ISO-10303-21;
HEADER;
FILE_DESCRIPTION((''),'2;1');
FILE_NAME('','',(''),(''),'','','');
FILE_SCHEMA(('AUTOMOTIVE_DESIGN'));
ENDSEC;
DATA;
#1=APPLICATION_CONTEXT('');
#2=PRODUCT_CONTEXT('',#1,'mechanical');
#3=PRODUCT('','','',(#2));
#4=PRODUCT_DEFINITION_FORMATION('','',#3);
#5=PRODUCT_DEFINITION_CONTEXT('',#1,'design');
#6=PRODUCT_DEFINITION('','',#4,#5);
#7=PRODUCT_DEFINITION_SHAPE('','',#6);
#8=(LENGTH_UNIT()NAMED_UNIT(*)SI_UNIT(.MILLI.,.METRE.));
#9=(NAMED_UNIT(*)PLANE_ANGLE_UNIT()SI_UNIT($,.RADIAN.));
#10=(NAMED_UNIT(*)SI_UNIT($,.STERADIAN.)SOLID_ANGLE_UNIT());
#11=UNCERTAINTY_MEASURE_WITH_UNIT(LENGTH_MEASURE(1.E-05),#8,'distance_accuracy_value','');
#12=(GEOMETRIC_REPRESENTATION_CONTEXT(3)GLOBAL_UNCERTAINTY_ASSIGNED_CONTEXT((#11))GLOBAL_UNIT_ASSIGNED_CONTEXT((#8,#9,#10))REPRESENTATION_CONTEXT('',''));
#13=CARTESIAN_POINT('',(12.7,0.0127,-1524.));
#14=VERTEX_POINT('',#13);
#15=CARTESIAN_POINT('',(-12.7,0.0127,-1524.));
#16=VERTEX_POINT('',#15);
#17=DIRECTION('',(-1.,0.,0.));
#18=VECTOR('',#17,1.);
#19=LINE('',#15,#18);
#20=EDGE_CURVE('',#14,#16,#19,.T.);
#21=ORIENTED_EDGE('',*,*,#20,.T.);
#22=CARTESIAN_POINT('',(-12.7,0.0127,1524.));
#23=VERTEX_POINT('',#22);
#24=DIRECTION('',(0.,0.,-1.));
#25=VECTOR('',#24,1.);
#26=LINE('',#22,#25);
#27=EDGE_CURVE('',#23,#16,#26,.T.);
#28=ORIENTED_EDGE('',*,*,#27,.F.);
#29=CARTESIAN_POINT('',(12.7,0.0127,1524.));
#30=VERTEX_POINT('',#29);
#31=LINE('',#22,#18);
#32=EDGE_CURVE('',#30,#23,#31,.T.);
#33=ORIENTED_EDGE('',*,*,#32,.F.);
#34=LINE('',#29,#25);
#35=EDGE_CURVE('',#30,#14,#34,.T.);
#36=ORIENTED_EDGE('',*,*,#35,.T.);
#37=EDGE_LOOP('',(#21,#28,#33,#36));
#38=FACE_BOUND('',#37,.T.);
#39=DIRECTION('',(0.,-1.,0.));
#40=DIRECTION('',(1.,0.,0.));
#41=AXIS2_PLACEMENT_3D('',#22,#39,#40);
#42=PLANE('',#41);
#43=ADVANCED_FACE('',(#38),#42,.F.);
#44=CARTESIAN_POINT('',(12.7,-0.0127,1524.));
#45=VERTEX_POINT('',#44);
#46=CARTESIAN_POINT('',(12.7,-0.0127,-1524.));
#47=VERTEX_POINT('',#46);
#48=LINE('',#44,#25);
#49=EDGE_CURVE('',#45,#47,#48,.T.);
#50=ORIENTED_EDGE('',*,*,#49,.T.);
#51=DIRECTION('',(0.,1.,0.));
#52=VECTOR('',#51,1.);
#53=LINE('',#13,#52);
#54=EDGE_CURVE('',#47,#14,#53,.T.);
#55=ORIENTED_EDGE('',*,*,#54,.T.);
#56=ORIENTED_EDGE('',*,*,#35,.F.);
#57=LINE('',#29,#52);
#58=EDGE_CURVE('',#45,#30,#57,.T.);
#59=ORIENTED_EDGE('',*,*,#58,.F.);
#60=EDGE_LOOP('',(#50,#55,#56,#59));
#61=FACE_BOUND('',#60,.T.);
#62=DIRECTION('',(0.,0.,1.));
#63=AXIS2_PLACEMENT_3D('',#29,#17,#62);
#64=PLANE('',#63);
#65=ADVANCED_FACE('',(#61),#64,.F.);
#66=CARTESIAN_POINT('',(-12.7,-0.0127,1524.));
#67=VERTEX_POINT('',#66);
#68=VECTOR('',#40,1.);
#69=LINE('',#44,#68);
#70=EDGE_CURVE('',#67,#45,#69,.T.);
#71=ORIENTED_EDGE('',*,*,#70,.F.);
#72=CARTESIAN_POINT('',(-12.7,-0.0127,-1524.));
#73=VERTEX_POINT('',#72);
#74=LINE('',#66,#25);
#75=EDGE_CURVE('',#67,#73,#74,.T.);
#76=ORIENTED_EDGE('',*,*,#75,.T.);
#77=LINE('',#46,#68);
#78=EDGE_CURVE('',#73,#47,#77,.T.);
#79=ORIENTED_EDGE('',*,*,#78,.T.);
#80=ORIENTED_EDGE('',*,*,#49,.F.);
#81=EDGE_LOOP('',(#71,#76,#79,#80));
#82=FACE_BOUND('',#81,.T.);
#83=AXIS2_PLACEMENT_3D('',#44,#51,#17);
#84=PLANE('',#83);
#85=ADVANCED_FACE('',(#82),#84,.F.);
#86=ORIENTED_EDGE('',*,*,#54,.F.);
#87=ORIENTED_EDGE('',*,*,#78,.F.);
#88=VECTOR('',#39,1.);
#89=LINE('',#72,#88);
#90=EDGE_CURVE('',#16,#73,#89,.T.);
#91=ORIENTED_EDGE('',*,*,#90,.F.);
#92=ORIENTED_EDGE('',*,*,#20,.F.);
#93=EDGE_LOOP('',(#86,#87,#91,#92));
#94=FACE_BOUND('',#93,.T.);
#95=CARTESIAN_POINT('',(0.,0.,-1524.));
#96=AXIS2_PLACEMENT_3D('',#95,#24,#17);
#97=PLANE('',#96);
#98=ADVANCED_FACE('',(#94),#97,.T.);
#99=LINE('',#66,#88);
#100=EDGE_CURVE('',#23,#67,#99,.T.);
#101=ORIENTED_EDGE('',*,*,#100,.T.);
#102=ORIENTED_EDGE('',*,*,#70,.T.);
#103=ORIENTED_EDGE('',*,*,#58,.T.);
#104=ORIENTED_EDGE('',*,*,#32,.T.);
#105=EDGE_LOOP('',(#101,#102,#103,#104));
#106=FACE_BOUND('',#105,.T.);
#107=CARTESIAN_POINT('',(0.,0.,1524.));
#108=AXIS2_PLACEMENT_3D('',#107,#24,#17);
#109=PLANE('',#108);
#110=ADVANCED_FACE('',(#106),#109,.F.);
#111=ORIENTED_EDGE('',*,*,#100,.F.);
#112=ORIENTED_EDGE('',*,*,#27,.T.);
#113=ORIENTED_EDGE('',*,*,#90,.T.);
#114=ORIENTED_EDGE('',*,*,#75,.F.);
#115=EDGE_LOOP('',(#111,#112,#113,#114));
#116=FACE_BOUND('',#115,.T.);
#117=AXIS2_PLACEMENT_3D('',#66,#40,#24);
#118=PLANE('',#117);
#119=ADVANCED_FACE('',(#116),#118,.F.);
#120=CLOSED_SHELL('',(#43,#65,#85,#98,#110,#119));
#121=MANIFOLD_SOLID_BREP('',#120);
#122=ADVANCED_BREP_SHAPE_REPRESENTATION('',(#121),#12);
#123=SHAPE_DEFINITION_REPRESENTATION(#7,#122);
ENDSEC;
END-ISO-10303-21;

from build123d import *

# Parameters (mm, degrees)
SKETCH3_W           = 25.4
SKETCH3_H           = 0.0254
BOSS_EXTRUDE1_DEPTH = 1524


with BuildPart() as part:
    # Sketch3 → Boss-Extrude1 (new, symmetric)
    with BuildSketch(Plane.XY):
        Rectangle(SKETCH3_W, SKETCH3_H)
    extrude(amount=BOSS_EXTRUDE1_DEPTH, both=True)


solid = part.part
